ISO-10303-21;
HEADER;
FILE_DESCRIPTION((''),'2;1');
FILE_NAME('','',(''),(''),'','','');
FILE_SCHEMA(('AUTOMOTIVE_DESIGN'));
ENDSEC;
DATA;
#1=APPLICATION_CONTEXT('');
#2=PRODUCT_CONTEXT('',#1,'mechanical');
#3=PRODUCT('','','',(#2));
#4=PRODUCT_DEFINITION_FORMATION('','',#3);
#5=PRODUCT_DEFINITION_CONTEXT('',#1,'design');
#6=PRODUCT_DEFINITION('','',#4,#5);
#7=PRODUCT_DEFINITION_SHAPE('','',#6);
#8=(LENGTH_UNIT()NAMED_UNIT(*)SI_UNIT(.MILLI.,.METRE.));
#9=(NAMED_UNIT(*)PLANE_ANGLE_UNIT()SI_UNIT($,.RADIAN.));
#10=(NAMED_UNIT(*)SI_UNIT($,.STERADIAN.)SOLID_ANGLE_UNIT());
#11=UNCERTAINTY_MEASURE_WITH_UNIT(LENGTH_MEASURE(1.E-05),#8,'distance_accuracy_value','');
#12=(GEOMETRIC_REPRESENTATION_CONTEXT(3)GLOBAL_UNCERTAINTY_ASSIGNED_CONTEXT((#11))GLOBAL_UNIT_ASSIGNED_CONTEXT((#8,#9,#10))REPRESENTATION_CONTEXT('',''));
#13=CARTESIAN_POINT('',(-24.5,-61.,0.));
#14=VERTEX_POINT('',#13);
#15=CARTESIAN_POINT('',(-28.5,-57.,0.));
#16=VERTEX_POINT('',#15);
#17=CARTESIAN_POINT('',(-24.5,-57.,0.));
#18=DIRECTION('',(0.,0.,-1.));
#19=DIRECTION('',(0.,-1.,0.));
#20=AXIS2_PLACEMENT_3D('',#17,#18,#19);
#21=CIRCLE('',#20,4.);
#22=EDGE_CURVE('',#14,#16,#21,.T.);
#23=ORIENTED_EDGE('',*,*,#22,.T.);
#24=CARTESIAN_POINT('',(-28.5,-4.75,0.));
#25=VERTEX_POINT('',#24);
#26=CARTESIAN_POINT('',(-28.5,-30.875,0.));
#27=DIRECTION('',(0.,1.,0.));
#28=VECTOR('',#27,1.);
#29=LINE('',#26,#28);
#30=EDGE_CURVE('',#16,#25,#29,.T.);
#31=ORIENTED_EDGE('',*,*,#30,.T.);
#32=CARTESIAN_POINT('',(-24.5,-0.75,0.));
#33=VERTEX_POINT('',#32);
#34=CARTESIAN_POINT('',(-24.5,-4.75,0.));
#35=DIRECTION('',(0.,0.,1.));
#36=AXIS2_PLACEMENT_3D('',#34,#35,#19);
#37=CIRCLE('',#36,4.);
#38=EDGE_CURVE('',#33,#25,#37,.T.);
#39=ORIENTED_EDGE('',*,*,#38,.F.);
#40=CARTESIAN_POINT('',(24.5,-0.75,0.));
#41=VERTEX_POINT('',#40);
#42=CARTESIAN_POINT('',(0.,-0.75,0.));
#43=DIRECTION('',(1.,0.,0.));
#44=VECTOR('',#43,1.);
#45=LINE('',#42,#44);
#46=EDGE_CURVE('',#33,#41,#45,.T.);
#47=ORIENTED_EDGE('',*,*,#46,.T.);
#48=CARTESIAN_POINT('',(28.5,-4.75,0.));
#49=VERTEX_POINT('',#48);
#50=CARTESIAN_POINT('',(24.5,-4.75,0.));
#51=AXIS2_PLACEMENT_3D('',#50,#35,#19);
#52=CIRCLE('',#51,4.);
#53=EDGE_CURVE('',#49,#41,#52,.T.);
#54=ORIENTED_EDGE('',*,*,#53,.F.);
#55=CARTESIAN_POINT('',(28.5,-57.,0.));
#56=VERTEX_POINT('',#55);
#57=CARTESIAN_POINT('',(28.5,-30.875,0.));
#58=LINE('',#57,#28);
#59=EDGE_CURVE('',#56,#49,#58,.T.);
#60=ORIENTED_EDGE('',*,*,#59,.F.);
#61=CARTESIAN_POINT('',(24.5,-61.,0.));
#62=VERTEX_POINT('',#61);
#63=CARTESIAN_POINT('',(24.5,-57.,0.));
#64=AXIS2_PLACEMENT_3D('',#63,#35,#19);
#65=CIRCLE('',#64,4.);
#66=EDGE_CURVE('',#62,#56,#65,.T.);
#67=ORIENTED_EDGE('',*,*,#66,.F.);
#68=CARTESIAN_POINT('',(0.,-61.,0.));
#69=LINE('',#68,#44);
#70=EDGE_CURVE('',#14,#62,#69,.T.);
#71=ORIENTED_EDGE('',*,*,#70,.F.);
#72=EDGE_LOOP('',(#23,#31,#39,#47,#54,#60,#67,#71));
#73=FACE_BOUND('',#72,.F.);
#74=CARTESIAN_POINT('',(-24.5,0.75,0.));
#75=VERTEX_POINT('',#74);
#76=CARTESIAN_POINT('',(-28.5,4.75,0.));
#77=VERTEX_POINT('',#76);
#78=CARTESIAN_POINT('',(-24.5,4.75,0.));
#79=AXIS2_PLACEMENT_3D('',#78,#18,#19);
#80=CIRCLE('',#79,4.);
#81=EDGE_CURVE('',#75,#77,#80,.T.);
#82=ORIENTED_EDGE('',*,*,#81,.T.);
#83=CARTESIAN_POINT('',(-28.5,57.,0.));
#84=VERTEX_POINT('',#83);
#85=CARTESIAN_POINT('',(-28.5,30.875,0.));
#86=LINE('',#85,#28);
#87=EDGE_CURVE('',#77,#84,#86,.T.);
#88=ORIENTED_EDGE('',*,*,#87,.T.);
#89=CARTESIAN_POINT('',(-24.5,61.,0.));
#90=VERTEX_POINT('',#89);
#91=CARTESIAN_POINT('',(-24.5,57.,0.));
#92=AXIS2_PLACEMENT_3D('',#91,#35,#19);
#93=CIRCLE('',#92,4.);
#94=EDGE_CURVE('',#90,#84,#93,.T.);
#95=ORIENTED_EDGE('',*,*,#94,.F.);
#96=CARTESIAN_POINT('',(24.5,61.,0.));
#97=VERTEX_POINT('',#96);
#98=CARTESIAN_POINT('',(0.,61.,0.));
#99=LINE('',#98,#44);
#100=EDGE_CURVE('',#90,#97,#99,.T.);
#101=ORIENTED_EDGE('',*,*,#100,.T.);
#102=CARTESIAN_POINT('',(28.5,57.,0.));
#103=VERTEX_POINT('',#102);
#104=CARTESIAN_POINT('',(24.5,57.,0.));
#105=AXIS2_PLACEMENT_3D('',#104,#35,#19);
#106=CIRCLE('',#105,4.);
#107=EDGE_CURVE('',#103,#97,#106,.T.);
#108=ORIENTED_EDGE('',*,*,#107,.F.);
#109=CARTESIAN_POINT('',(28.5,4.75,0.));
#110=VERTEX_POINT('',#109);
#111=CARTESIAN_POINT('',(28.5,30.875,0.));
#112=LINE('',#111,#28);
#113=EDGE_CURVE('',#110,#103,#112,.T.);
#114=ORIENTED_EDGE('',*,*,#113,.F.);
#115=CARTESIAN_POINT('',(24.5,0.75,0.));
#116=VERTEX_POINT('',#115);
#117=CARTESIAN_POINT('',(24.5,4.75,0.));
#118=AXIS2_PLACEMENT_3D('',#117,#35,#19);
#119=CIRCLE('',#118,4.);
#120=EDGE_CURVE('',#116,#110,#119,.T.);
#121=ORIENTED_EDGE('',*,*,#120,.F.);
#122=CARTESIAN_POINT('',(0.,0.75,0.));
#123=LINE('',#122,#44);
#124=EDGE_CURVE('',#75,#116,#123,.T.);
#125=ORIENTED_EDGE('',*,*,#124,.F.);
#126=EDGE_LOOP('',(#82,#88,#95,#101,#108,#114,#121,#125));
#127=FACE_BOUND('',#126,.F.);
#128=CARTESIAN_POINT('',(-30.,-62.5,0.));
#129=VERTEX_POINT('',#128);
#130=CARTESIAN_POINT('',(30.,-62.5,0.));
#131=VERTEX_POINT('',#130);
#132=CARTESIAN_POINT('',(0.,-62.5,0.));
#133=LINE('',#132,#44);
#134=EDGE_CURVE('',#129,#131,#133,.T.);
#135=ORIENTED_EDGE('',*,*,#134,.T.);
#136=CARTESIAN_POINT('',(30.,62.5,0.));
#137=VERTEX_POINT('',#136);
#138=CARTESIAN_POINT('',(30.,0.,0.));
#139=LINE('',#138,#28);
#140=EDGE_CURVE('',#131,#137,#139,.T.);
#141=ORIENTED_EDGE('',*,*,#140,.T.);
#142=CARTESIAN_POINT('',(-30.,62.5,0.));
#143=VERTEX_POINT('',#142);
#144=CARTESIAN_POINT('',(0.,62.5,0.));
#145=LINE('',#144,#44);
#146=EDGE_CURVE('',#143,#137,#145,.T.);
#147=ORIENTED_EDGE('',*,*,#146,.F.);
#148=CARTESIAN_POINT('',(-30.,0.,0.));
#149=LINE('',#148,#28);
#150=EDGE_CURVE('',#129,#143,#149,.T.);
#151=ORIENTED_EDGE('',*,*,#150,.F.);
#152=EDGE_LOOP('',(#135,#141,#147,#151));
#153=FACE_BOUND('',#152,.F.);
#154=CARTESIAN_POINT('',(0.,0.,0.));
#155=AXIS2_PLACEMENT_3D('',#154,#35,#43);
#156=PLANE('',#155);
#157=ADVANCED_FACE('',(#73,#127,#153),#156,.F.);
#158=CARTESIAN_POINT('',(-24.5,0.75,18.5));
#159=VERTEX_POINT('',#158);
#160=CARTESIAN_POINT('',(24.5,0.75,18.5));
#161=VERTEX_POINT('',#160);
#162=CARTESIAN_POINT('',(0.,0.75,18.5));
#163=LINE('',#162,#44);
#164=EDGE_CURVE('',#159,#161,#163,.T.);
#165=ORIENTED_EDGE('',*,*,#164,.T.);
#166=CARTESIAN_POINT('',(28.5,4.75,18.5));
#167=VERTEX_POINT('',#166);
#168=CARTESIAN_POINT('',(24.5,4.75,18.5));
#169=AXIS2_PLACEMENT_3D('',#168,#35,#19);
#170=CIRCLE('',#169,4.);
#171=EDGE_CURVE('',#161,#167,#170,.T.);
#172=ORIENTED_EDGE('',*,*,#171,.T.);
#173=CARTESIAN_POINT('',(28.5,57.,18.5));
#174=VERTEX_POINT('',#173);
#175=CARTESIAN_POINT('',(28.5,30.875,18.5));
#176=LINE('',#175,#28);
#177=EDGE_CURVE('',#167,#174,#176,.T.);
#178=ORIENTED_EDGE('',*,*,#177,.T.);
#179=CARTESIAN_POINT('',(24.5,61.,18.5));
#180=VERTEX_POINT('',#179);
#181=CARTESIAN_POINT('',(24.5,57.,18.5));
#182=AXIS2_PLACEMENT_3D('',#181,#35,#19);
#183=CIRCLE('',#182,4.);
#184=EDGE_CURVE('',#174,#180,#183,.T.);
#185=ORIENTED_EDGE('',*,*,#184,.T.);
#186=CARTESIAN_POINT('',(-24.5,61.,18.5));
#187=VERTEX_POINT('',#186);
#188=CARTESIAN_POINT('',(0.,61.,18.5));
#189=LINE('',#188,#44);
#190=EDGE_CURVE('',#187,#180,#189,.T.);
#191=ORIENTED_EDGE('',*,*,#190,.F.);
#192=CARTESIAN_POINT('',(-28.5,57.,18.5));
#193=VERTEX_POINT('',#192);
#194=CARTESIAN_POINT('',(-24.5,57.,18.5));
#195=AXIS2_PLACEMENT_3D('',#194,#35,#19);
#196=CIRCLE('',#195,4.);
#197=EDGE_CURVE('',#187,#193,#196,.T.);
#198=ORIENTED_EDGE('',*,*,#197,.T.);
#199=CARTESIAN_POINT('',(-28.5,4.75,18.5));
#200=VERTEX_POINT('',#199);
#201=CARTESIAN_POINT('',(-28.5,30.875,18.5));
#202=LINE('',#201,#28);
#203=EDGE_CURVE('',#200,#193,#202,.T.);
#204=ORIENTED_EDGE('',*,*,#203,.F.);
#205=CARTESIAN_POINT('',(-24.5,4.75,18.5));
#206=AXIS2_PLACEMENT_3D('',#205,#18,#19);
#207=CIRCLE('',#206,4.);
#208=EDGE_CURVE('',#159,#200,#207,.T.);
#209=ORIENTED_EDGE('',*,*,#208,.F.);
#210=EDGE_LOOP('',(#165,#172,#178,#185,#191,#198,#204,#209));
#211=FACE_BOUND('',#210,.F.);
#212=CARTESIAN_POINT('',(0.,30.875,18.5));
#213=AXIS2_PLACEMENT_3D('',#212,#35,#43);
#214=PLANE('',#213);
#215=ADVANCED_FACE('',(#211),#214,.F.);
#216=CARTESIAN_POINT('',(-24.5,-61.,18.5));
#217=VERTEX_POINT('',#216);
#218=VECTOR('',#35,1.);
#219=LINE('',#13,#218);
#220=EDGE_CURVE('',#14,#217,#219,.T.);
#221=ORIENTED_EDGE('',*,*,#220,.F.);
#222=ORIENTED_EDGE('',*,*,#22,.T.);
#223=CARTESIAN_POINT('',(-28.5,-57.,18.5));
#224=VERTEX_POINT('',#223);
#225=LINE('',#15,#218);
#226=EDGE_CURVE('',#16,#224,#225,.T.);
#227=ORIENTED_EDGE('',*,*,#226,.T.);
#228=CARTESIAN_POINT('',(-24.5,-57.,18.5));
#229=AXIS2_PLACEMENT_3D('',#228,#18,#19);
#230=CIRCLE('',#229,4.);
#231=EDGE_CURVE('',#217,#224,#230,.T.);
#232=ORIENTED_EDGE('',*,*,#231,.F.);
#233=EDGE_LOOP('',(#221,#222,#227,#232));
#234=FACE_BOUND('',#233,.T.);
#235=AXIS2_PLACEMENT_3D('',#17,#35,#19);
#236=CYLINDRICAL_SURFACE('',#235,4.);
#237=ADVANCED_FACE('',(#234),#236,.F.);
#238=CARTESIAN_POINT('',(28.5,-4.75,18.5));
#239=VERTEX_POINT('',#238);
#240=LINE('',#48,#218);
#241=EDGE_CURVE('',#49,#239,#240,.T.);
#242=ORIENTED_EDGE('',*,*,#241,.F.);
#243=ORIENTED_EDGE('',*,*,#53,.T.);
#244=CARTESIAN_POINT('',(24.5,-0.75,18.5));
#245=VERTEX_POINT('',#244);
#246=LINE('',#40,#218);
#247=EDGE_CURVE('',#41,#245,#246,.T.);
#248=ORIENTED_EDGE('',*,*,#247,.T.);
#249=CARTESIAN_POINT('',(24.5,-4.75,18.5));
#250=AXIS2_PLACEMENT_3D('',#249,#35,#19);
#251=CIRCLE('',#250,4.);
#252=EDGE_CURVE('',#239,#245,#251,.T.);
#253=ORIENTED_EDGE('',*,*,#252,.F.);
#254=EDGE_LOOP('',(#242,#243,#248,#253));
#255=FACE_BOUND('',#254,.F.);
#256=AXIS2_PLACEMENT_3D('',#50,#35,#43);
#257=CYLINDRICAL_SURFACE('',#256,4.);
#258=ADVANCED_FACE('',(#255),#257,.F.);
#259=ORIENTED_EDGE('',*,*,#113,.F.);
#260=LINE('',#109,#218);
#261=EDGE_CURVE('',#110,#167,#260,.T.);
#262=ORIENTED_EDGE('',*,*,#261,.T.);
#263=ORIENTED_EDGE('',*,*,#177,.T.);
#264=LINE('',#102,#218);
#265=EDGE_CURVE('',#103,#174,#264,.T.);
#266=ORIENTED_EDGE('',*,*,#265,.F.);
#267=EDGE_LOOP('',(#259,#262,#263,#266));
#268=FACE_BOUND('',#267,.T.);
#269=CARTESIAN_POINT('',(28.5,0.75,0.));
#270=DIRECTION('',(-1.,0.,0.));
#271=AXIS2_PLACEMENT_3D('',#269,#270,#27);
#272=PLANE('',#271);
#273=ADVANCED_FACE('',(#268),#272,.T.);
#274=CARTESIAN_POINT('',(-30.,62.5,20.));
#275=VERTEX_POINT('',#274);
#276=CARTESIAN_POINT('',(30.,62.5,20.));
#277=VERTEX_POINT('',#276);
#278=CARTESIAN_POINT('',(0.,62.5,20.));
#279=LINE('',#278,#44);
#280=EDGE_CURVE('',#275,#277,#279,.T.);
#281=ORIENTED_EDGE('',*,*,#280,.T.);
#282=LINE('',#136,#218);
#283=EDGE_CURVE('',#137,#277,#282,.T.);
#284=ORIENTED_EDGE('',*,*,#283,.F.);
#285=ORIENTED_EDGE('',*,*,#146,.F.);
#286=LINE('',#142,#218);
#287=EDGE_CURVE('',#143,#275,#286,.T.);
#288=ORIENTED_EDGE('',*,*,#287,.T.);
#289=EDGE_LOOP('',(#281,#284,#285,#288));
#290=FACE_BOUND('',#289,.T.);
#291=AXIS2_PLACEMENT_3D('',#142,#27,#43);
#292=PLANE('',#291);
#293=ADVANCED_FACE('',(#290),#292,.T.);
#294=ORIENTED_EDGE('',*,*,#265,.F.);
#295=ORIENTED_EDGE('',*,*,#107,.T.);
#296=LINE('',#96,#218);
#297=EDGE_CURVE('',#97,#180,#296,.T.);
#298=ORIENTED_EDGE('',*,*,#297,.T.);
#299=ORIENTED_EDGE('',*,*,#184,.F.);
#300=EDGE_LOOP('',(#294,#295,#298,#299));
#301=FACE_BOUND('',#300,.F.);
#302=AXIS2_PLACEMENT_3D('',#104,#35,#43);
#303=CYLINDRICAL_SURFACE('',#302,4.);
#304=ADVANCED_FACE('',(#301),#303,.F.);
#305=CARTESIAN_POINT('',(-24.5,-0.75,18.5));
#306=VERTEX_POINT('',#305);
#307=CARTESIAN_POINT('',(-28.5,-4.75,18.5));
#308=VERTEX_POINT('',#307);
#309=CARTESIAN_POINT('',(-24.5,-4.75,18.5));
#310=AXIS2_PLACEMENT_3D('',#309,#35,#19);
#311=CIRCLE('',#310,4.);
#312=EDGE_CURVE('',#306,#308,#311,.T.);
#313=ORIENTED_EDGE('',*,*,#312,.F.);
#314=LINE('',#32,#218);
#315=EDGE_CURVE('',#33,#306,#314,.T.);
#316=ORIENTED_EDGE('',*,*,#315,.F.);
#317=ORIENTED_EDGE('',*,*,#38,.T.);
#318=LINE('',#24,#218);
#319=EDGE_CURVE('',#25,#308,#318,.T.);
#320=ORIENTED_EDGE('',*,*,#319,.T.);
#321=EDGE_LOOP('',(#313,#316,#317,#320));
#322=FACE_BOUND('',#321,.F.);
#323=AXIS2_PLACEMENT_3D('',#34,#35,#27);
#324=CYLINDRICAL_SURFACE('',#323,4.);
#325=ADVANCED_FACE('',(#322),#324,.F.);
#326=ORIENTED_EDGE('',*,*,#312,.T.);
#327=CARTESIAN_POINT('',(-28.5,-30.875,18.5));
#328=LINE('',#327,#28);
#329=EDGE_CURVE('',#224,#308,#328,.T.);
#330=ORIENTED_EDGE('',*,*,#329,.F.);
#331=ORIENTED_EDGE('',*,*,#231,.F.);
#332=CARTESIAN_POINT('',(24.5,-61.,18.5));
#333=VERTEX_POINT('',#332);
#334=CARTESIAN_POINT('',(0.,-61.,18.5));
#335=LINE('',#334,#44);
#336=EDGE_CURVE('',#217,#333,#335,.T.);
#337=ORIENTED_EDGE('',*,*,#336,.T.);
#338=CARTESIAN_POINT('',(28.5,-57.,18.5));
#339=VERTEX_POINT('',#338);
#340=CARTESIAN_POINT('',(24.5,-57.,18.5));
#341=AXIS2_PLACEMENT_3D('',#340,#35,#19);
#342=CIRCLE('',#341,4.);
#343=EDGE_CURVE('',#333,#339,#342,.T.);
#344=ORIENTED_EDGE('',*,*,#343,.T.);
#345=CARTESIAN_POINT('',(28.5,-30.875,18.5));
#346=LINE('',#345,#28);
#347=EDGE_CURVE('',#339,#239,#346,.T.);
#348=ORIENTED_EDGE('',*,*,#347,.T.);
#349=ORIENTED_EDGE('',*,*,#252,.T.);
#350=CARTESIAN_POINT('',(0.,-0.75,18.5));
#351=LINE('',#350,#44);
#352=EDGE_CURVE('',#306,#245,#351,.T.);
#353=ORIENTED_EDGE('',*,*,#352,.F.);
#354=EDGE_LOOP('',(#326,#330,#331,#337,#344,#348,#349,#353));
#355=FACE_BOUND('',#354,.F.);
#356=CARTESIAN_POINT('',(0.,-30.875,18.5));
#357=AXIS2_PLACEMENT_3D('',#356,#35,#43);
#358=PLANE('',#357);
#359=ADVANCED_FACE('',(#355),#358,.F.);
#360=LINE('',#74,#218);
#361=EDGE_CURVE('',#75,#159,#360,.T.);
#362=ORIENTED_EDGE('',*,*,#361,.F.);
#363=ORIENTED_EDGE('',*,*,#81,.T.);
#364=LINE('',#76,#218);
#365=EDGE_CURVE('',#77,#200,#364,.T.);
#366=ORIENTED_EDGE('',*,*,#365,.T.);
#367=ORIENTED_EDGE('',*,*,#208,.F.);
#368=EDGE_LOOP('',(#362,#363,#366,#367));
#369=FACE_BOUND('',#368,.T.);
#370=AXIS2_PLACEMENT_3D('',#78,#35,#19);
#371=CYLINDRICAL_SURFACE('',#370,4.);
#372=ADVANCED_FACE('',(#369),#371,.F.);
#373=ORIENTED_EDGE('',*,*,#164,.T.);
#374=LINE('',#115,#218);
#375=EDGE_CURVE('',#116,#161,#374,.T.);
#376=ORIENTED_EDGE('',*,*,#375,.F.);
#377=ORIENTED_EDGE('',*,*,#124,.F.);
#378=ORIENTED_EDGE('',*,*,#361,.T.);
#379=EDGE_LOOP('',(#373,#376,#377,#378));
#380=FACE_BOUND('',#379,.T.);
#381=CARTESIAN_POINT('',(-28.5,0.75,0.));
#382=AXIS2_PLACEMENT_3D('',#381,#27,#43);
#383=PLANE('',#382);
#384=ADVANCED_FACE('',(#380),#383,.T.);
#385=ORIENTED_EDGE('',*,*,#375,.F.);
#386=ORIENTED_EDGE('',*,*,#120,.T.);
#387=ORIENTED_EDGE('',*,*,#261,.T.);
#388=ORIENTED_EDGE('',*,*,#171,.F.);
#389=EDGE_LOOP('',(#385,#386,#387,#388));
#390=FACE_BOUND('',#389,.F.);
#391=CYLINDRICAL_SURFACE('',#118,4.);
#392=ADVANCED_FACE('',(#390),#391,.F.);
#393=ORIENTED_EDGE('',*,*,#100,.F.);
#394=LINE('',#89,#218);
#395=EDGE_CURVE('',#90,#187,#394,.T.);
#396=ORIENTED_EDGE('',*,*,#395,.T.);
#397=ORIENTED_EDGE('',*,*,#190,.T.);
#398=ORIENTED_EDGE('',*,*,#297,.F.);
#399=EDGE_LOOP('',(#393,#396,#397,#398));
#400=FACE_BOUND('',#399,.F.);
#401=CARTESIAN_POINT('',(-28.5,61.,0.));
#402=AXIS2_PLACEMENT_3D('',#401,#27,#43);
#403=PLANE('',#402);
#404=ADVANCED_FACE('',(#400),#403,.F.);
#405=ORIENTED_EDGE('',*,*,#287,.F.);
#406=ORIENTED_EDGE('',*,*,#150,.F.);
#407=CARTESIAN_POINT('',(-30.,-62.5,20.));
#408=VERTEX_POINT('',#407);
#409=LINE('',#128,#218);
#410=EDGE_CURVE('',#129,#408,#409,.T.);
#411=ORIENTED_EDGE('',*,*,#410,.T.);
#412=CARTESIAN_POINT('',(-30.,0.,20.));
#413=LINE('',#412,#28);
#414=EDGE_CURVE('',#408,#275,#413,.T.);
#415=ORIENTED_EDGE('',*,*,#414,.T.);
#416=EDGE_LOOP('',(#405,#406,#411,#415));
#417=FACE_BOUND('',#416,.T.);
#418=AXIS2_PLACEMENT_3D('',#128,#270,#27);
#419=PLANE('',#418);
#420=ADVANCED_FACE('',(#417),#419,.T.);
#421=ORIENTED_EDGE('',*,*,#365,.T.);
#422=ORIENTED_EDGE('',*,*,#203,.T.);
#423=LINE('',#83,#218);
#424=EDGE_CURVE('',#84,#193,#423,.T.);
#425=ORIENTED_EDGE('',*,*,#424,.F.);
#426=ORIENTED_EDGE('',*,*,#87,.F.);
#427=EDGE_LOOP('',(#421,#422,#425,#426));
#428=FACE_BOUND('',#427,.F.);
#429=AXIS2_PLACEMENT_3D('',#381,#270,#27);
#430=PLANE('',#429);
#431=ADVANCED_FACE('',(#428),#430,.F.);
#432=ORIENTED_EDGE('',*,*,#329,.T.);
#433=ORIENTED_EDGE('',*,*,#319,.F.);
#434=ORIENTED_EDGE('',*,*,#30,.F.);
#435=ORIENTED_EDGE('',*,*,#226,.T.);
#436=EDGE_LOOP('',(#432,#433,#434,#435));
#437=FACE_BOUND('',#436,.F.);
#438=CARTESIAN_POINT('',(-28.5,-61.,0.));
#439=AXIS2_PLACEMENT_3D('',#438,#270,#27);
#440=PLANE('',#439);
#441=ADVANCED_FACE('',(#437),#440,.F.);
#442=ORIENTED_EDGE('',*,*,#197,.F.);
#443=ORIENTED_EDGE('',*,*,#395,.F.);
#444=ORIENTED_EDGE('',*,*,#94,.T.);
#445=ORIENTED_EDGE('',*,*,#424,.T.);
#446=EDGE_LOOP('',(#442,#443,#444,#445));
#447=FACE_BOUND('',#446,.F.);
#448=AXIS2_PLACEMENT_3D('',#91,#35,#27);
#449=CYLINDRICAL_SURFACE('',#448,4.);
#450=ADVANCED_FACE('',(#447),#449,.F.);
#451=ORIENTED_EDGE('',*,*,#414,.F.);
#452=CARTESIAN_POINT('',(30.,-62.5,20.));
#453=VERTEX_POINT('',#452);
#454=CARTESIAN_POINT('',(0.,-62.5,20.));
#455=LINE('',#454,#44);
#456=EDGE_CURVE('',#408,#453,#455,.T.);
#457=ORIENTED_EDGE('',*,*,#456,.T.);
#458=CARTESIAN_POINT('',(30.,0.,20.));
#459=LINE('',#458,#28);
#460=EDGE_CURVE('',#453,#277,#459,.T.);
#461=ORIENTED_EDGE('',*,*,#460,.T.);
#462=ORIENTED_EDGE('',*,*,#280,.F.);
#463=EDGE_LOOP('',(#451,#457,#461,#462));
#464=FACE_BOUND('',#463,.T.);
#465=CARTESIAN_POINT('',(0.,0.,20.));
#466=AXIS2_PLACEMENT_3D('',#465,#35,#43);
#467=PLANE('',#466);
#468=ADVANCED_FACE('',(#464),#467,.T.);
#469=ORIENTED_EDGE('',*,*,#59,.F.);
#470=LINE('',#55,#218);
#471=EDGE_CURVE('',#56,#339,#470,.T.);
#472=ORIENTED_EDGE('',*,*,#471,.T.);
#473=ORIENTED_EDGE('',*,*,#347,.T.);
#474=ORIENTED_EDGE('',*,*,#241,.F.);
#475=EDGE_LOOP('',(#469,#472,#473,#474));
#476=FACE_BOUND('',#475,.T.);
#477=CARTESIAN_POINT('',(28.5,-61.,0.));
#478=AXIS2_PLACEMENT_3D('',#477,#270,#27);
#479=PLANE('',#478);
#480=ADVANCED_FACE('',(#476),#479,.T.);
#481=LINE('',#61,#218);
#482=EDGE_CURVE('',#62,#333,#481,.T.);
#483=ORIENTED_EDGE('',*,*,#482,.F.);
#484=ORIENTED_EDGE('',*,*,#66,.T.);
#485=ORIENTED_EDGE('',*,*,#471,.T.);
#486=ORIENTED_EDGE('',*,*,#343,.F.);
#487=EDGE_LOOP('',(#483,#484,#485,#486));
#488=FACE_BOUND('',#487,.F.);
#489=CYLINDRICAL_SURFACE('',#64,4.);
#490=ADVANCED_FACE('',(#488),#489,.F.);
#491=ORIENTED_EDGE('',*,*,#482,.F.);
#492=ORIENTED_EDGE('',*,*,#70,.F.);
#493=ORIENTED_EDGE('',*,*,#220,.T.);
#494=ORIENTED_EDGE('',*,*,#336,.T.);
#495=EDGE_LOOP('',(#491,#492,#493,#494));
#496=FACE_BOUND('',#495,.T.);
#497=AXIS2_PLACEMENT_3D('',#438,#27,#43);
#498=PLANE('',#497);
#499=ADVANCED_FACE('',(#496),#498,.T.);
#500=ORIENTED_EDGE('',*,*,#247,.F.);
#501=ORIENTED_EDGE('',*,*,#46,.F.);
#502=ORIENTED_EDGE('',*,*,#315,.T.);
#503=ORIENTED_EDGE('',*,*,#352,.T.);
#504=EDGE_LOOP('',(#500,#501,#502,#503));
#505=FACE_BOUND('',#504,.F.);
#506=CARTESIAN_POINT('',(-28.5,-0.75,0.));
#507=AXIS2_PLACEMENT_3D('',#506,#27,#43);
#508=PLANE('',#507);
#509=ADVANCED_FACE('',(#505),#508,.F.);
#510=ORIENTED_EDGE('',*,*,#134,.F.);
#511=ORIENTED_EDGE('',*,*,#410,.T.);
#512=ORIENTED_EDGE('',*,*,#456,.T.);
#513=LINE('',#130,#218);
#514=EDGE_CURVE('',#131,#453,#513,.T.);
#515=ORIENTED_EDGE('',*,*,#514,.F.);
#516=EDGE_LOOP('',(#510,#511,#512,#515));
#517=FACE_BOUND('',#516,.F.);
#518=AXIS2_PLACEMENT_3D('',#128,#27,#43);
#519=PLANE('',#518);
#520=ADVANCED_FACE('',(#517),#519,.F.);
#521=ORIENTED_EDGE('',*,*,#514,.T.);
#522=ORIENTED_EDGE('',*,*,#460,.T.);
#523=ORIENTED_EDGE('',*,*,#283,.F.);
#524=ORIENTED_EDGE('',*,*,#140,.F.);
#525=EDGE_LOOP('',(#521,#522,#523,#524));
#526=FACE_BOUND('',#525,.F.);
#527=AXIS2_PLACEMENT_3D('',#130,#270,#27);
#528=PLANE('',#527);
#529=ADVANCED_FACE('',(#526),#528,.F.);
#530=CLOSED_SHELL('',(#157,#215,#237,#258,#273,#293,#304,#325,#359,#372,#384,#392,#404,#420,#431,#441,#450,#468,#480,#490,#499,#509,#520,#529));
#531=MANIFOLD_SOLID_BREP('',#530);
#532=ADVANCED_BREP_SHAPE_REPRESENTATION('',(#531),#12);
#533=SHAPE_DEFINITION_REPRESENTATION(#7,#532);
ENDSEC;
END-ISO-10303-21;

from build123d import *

# Parameters (mm, degrees)
F0_W     = 60
F0_H     = 125
F1_DEPTH = 20
F2_W     = 57
F2_H     = 60.25
F3_DEPTH = 18.5
F4_R     = 4


with BuildPart() as f1:
    # F0 (on Top) → F1 (new body)
    with BuildSketch(Plane.XY):
        Rectangle(F0_W, F0_H)
    extrude(amount=F1_DEPTH)

    # F2 (on Top) → F3 (cut)
    with BuildSketch(Plane.XY):
        with Locations((0, 30.875)):
            Rectangle(F2_W, F2_H)
        with Locations((0, -30.875)):
            Rectangle(F2_W, F2_H)
    extrude(amount=F3_DEPTH, mode=Mode.SUBTRACT)

    # F4
    f4_edges = [f1.edges().sort_by_distance(p)[0] for p in [
        (28.5, -61, 9.25),
        (28.5, 0.75, 9.25),
        (-28.5, -61, 9.25),
        (-28.5, 0.75, 9.25),
        (-28.5, -0.75, 9.25),
        (-28.5, 61, 9.25),
        (28.5, 61, 9.25),
        (28.5, -0.75, 9.25),
    ]]
    fillet(f4_edges, radius=F4_R)


solid = f1.part
